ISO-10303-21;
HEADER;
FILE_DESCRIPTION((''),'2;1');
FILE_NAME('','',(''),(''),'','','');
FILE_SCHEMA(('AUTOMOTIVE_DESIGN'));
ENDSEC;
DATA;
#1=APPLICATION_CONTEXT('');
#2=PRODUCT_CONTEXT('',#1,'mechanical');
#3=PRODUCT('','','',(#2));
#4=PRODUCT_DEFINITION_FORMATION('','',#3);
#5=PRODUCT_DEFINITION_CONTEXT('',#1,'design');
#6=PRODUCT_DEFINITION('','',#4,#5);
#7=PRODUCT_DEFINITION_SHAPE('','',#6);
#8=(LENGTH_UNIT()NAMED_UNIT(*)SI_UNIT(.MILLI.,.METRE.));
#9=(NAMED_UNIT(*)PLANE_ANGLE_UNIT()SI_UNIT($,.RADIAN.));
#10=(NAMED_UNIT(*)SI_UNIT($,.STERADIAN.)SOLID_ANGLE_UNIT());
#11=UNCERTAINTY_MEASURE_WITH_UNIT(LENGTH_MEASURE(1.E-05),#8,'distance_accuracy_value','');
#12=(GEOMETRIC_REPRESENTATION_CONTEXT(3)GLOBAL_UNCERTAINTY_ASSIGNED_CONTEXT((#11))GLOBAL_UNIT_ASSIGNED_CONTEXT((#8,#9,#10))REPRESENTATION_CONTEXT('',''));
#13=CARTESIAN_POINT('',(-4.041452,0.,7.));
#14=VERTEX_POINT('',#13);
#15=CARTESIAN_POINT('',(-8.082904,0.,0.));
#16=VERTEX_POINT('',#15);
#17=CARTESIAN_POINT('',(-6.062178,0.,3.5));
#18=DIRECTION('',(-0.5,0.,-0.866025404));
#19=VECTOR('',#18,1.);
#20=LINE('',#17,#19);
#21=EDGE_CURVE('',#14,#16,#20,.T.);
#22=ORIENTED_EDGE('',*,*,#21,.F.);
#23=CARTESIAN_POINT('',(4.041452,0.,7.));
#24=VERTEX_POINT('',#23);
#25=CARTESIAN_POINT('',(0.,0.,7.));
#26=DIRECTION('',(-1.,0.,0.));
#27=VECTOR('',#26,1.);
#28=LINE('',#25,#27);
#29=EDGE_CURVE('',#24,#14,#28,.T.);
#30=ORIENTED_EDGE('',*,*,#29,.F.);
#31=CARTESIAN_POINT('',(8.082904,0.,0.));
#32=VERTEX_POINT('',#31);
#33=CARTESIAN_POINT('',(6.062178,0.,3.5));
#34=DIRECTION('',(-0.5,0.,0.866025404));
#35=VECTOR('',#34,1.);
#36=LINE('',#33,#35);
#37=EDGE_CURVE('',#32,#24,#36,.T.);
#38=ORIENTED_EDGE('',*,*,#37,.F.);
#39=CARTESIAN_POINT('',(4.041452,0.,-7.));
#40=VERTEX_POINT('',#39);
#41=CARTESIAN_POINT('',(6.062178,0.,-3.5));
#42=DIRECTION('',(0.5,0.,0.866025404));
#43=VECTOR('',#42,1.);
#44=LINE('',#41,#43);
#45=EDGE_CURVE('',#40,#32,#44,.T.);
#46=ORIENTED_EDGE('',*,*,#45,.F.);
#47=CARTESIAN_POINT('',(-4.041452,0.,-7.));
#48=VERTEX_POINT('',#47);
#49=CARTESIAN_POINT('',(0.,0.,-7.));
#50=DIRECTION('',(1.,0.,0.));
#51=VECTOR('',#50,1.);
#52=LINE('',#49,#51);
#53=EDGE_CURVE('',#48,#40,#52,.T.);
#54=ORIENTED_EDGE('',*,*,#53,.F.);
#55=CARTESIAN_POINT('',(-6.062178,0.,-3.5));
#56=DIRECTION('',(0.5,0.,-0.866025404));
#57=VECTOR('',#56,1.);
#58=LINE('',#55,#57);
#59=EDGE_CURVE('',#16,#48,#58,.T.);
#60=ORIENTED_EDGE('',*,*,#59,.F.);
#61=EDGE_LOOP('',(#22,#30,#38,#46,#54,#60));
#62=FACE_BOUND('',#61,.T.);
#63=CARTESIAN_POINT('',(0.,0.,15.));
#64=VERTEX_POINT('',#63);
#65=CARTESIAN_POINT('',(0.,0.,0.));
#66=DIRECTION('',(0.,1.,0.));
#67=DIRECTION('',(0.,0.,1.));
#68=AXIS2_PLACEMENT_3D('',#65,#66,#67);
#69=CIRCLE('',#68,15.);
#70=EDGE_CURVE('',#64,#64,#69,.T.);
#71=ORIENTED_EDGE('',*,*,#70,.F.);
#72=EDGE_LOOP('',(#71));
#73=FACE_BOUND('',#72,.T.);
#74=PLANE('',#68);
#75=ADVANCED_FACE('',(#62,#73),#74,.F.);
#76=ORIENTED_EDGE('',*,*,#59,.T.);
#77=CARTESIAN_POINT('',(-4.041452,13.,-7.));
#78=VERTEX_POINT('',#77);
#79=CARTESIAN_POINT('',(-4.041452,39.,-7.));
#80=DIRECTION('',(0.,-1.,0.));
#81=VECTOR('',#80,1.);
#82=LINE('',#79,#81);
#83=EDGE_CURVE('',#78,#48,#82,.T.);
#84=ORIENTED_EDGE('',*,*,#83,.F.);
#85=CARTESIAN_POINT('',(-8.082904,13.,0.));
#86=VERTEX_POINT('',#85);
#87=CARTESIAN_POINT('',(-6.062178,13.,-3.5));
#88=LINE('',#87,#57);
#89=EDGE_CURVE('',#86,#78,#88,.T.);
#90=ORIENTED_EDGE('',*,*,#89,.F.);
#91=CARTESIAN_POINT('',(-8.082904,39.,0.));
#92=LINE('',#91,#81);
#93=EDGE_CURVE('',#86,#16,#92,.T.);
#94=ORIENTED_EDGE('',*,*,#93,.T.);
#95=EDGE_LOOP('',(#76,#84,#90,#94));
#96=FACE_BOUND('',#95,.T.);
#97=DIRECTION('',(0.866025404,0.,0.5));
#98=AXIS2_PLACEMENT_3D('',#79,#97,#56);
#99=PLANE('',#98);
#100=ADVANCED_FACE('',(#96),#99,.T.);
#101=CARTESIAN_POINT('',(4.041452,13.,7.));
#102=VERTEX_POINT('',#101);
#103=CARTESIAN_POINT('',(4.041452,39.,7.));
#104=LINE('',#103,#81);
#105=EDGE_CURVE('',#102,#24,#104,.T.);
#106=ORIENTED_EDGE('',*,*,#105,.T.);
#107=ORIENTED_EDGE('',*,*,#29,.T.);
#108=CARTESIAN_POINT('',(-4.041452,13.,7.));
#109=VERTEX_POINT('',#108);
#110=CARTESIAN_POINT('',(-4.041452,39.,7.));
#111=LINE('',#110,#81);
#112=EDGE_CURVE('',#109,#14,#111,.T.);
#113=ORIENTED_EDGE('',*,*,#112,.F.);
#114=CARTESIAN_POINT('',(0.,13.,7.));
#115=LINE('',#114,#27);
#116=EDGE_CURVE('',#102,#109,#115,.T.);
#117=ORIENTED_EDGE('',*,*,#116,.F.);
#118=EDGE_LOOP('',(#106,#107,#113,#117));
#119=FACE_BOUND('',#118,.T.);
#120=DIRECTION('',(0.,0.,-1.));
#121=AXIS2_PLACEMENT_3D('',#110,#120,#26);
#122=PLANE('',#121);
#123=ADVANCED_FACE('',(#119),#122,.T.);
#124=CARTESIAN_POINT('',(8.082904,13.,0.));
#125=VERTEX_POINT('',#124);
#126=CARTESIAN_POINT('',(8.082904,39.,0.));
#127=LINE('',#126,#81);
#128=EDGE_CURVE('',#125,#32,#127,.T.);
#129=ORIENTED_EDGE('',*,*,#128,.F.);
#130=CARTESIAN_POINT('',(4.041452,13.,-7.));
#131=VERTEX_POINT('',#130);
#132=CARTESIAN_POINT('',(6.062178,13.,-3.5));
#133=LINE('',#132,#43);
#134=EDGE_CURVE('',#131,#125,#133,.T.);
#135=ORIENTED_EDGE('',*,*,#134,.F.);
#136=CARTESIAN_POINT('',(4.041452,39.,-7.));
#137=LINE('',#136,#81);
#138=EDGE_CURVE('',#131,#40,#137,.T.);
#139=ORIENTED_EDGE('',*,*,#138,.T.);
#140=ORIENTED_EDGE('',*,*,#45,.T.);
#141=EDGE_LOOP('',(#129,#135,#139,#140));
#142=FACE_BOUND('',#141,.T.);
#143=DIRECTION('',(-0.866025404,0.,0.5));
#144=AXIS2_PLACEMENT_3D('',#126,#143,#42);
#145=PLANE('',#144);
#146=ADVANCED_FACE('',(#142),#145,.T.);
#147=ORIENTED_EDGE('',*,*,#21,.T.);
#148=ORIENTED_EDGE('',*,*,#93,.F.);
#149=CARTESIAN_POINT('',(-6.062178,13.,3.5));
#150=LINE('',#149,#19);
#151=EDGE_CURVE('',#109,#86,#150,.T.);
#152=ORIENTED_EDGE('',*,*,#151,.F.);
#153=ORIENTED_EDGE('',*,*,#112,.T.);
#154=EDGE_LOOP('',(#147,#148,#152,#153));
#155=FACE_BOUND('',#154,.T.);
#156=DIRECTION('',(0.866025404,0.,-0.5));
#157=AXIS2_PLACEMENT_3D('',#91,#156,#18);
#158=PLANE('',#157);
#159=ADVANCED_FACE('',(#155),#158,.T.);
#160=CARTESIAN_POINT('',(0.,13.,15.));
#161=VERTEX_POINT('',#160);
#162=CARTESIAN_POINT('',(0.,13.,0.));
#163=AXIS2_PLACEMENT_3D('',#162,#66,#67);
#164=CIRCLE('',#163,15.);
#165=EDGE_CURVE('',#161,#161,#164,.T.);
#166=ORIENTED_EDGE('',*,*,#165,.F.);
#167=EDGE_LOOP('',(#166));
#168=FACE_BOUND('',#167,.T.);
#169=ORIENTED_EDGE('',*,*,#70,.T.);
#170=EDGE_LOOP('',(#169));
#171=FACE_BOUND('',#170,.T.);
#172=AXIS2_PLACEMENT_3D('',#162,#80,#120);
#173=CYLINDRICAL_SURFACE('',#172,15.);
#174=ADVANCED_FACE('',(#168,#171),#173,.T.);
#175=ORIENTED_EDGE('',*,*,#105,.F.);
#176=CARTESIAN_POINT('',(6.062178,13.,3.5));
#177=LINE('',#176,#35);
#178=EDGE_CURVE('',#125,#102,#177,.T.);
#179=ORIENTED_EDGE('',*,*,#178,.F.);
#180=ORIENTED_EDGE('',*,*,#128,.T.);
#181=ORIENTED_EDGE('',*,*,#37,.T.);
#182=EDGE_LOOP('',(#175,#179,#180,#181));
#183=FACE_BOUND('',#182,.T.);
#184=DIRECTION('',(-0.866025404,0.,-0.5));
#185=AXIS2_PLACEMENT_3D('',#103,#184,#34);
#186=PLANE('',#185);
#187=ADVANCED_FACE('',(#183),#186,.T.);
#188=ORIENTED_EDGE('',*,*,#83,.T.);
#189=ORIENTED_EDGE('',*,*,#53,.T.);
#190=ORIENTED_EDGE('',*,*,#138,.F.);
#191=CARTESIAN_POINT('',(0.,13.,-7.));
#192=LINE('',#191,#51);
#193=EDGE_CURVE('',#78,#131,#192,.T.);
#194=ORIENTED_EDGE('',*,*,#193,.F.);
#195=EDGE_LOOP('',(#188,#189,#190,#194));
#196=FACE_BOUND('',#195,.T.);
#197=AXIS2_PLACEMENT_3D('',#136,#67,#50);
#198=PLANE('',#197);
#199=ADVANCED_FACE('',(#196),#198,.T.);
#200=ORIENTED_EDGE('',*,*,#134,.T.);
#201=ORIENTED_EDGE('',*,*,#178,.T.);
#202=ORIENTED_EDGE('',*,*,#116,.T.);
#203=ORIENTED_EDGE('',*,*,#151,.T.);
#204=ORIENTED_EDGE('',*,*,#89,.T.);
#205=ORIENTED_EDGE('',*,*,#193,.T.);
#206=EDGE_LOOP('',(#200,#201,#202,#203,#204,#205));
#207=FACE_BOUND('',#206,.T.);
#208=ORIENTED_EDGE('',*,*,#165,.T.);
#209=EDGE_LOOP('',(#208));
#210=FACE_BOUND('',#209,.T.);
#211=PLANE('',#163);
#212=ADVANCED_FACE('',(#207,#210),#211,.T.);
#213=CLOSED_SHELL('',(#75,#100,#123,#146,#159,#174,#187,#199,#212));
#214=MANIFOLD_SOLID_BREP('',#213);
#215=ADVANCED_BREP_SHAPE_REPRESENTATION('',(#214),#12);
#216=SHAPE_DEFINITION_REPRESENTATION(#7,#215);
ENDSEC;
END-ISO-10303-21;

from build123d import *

# Parameters (mm, degrees)
SKETCH1_R               = 15
BOSS_EXTRUDE1_DEPTH     = 13
CUT_EXTRUDE1_DEPTH      = 26
CUT_EXTRUDE1_DEPTH_BACK = 32


with BuildPart() as part:
    # Sketch1 → Boss-Extrude1 (new body)
    with BuildSketch(Plane(origin=(0, 0, 0), x_dir=(1, 0, 0), z_dir=(0, 1, 0))):
        Circle(SKETCH1_R)
    extrude(amount=BOSS_EXTRUDE1_DEPTH)

    # Sketch3 → Cut-Extrude1 (cut, two sides)
    with BuildSketch(Plane(origin=(0, 13, 0), x_dir=(1, 0, 0), z_dir=(0, 1, 0))) as cut_extrude1_sk:
        Polygon((8.082903769, 0), (4.041451884, 7), (-4.041451884, 7), (-8.082903769, 0), (-4.041451884, -7), (4.041451884, -7), align=None)
    extrude(amount=CUT_EXTRUDE1_DEPTH, mode=Mode.SUBTRACT)
    extrude(cut_extrude1_sk.sketch, amount=-CUT_EXTRUDE1_DEPTH_BACK, mode=Mode.SUBTRACT)


solid = part.part
